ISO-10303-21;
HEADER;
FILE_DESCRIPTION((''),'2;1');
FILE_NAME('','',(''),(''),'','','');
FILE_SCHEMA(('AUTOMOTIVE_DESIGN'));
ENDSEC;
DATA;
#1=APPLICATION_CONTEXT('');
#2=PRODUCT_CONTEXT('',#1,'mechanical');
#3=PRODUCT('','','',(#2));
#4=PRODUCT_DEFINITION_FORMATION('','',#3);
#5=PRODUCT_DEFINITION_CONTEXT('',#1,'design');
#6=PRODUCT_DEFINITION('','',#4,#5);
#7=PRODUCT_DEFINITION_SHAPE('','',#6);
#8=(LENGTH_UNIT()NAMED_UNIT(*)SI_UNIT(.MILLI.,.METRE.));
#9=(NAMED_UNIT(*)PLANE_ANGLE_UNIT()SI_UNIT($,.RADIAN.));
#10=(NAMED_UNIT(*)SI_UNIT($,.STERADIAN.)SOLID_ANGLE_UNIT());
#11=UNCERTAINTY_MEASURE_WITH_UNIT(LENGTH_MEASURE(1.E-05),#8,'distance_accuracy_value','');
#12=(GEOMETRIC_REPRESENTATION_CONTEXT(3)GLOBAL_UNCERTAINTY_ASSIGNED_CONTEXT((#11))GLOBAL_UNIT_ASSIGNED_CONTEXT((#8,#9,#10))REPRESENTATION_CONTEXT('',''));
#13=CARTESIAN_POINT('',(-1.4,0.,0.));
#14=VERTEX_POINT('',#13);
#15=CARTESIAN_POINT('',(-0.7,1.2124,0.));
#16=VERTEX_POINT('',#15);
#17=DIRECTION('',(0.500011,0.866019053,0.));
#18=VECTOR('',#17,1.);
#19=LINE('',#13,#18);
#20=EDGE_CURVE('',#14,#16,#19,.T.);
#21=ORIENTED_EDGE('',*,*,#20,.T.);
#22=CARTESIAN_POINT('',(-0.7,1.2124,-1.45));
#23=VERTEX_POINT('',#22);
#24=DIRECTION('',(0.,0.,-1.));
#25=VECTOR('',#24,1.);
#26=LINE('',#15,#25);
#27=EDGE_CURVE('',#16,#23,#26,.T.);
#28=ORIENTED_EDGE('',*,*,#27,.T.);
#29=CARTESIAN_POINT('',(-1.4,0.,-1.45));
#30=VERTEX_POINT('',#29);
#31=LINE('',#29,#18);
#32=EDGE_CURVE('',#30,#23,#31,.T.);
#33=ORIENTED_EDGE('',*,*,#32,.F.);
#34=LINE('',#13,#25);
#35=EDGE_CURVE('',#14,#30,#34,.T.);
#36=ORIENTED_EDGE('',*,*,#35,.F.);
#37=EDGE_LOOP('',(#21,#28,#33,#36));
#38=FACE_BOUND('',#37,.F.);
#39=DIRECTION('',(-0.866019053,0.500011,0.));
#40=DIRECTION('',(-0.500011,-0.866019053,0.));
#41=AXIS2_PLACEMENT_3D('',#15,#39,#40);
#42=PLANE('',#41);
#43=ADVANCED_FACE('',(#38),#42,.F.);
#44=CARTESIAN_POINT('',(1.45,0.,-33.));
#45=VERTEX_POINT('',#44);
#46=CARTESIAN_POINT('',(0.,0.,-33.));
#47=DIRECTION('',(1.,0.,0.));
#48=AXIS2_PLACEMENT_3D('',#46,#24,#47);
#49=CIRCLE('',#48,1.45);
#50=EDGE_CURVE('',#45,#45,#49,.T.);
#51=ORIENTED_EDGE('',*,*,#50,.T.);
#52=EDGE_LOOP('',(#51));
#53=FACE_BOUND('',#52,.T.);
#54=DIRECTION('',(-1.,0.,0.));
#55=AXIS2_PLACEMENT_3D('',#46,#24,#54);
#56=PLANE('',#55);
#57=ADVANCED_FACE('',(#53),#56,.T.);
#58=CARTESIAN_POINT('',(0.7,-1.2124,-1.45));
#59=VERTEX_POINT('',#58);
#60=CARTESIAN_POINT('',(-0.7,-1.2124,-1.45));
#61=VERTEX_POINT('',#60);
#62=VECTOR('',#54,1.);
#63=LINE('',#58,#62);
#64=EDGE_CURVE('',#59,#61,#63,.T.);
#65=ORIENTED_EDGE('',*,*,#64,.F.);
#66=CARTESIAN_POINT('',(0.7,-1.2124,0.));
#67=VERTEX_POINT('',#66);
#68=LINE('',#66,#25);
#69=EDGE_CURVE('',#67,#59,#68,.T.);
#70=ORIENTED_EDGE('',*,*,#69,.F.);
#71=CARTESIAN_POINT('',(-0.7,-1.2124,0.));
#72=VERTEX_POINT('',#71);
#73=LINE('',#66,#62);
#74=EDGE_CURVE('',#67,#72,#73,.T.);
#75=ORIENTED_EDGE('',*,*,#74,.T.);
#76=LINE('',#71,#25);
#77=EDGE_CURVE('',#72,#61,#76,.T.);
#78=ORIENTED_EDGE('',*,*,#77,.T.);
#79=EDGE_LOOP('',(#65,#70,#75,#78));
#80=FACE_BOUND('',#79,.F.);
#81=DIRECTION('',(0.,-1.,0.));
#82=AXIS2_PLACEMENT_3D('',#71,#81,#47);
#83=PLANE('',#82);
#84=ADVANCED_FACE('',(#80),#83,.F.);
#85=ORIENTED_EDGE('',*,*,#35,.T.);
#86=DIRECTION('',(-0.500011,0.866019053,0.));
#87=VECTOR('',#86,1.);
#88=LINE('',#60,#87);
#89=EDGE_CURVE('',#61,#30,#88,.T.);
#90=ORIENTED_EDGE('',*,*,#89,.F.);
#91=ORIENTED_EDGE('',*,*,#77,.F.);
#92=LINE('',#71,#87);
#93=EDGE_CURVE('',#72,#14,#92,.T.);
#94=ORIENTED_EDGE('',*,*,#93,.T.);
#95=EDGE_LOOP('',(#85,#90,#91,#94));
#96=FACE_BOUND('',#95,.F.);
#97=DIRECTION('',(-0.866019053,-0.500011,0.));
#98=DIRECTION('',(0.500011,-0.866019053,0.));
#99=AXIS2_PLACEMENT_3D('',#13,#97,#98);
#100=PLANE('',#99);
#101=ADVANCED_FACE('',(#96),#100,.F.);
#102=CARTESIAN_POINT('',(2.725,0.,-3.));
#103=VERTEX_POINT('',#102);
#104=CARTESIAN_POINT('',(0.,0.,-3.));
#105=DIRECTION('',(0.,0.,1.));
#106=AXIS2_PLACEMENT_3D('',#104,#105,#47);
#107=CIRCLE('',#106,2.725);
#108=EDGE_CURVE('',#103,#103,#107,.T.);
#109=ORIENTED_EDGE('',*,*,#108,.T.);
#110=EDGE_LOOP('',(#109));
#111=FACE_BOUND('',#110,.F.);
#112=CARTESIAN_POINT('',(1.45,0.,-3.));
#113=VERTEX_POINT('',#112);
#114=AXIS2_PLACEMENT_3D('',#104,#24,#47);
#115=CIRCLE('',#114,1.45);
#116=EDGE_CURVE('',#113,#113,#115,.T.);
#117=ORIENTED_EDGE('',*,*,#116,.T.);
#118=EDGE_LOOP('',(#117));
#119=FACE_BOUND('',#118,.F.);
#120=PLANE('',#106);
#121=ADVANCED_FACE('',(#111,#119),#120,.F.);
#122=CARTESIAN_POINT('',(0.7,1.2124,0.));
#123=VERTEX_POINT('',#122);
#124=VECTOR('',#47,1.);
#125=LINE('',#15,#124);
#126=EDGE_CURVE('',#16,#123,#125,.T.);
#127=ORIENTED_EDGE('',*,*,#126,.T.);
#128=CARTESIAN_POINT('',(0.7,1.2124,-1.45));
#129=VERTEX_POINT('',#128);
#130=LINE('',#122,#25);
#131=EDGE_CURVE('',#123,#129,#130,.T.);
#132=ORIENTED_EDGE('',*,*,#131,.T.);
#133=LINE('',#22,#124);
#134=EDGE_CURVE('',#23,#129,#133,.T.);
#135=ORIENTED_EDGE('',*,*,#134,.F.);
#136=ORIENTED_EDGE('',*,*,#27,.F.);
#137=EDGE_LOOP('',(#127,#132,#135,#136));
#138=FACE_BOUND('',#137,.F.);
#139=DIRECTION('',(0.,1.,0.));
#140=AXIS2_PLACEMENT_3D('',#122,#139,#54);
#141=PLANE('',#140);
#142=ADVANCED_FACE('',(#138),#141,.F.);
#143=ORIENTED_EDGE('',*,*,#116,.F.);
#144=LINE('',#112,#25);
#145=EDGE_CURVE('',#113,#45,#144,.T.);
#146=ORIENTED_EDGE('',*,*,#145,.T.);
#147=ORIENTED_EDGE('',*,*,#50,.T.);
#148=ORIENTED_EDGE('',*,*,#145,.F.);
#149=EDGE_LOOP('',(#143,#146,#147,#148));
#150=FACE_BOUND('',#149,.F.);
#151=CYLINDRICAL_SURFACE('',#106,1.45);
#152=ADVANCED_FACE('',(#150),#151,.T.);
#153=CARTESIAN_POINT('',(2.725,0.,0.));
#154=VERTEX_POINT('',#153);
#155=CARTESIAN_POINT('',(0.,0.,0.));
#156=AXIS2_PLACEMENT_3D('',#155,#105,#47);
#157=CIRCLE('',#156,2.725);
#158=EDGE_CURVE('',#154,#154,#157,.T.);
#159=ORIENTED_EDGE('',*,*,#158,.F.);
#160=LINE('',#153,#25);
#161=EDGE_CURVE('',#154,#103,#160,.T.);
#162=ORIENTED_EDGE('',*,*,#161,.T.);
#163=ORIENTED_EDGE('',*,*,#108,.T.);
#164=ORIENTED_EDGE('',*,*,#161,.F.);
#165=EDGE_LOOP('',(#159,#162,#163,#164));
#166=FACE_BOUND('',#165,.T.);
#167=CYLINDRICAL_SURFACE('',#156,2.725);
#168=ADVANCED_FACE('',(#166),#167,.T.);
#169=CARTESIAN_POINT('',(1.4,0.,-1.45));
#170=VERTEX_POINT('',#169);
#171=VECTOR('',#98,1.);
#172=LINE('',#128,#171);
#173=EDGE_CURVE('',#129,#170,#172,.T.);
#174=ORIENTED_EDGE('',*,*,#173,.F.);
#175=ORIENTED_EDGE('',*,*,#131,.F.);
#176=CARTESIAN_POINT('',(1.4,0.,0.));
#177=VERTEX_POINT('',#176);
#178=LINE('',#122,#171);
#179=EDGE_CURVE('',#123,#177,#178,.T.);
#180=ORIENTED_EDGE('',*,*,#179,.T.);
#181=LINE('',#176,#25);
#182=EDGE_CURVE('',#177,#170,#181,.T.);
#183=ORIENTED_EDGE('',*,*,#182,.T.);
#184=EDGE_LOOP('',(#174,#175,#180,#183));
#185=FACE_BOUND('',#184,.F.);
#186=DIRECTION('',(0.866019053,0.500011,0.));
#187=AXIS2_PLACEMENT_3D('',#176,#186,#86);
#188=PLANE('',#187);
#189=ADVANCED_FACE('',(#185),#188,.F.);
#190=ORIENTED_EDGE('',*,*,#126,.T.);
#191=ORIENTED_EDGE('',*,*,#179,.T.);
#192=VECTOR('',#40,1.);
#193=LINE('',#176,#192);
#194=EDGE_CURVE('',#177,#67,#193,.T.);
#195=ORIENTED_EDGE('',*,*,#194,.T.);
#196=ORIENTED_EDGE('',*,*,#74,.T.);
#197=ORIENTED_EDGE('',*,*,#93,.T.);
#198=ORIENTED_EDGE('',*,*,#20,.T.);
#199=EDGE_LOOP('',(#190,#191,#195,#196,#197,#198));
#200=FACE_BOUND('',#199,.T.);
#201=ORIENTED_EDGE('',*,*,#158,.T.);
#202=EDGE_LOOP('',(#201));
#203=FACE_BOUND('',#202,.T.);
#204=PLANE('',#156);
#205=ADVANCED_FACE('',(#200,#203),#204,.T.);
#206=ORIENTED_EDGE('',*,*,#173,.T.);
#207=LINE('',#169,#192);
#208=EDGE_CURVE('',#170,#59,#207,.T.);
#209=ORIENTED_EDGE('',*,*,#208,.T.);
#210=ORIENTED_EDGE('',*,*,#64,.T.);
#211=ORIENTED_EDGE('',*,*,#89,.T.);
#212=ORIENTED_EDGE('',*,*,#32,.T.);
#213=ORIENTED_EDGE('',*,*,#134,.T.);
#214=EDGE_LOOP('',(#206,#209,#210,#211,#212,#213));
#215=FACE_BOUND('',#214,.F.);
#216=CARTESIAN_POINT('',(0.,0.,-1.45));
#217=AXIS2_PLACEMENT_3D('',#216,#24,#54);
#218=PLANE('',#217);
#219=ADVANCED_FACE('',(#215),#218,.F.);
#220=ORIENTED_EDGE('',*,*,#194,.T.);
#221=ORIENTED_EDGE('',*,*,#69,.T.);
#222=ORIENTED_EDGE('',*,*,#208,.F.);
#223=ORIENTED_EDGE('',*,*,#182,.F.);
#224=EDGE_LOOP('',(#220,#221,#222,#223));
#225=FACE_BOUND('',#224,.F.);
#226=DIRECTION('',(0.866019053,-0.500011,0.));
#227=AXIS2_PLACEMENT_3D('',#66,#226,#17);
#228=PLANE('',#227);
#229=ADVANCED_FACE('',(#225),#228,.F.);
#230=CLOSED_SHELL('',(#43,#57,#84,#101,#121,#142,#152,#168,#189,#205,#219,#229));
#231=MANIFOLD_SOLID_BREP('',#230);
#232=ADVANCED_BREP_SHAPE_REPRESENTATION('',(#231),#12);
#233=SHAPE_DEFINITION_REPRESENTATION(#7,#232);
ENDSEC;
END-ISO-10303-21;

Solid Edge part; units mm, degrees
sketch "Sketch1" plane through (0, 0, 0) normal (0, 0, 1) x (1, 0, 0)
  circle A0 centre (0, 0) radius 2.725
extrude "Protrusion1" add sketch "Sketch1" against normal blind 3
sketch "Sketch2" plane through (0, 0, 0) normal (0, 0, 1) x (1, 0, 0)
  line L0 (-0.7, -1.2124) -> (-1.05, -0.6062)
  line L1 (-1.4, 0) -> (-1.05, -0.6062)
  line L2 (-1.4, 0) -> (-1.05, 0.6062)
  line L3 (-0.7, 1.2124) -> (-1.05, 0.6062)
  line L4 (-0.7, 1.2124) -> (0, 1.2124)
  line L5 (0.7, 1.2124) -> (0, 1.2124)
  line L6 (0.7, 1.2124) -> (1.05, 0.6062)
  line L7 (1.4, 0) -> (1.05, 0.6062)
  line L8 (1.4, 0) -> (1.05, -0.6062)
  line L9 (0.7, -1.2124) -> (1.05, -0.6062)
  line L10 (0.7, -1.2124) -> (0, -1.2124)
  line L11 (-0.7, -1.2124) -> (0, -1.2124)
extrude "ExtrudedCutout_1" cut sketch "Sketch2" against normal blind 1.45
sketch "Sketch3" plane through (0, 0, -3) normal (0, 0, -1) x (1, 0, 0)
  circle A0 centre (0, 0) radius 1.45
extrude "ExtrudedProtrusion_2" add sketch "Sketch3" along normal blind 30
properties material "Stainless steel"
